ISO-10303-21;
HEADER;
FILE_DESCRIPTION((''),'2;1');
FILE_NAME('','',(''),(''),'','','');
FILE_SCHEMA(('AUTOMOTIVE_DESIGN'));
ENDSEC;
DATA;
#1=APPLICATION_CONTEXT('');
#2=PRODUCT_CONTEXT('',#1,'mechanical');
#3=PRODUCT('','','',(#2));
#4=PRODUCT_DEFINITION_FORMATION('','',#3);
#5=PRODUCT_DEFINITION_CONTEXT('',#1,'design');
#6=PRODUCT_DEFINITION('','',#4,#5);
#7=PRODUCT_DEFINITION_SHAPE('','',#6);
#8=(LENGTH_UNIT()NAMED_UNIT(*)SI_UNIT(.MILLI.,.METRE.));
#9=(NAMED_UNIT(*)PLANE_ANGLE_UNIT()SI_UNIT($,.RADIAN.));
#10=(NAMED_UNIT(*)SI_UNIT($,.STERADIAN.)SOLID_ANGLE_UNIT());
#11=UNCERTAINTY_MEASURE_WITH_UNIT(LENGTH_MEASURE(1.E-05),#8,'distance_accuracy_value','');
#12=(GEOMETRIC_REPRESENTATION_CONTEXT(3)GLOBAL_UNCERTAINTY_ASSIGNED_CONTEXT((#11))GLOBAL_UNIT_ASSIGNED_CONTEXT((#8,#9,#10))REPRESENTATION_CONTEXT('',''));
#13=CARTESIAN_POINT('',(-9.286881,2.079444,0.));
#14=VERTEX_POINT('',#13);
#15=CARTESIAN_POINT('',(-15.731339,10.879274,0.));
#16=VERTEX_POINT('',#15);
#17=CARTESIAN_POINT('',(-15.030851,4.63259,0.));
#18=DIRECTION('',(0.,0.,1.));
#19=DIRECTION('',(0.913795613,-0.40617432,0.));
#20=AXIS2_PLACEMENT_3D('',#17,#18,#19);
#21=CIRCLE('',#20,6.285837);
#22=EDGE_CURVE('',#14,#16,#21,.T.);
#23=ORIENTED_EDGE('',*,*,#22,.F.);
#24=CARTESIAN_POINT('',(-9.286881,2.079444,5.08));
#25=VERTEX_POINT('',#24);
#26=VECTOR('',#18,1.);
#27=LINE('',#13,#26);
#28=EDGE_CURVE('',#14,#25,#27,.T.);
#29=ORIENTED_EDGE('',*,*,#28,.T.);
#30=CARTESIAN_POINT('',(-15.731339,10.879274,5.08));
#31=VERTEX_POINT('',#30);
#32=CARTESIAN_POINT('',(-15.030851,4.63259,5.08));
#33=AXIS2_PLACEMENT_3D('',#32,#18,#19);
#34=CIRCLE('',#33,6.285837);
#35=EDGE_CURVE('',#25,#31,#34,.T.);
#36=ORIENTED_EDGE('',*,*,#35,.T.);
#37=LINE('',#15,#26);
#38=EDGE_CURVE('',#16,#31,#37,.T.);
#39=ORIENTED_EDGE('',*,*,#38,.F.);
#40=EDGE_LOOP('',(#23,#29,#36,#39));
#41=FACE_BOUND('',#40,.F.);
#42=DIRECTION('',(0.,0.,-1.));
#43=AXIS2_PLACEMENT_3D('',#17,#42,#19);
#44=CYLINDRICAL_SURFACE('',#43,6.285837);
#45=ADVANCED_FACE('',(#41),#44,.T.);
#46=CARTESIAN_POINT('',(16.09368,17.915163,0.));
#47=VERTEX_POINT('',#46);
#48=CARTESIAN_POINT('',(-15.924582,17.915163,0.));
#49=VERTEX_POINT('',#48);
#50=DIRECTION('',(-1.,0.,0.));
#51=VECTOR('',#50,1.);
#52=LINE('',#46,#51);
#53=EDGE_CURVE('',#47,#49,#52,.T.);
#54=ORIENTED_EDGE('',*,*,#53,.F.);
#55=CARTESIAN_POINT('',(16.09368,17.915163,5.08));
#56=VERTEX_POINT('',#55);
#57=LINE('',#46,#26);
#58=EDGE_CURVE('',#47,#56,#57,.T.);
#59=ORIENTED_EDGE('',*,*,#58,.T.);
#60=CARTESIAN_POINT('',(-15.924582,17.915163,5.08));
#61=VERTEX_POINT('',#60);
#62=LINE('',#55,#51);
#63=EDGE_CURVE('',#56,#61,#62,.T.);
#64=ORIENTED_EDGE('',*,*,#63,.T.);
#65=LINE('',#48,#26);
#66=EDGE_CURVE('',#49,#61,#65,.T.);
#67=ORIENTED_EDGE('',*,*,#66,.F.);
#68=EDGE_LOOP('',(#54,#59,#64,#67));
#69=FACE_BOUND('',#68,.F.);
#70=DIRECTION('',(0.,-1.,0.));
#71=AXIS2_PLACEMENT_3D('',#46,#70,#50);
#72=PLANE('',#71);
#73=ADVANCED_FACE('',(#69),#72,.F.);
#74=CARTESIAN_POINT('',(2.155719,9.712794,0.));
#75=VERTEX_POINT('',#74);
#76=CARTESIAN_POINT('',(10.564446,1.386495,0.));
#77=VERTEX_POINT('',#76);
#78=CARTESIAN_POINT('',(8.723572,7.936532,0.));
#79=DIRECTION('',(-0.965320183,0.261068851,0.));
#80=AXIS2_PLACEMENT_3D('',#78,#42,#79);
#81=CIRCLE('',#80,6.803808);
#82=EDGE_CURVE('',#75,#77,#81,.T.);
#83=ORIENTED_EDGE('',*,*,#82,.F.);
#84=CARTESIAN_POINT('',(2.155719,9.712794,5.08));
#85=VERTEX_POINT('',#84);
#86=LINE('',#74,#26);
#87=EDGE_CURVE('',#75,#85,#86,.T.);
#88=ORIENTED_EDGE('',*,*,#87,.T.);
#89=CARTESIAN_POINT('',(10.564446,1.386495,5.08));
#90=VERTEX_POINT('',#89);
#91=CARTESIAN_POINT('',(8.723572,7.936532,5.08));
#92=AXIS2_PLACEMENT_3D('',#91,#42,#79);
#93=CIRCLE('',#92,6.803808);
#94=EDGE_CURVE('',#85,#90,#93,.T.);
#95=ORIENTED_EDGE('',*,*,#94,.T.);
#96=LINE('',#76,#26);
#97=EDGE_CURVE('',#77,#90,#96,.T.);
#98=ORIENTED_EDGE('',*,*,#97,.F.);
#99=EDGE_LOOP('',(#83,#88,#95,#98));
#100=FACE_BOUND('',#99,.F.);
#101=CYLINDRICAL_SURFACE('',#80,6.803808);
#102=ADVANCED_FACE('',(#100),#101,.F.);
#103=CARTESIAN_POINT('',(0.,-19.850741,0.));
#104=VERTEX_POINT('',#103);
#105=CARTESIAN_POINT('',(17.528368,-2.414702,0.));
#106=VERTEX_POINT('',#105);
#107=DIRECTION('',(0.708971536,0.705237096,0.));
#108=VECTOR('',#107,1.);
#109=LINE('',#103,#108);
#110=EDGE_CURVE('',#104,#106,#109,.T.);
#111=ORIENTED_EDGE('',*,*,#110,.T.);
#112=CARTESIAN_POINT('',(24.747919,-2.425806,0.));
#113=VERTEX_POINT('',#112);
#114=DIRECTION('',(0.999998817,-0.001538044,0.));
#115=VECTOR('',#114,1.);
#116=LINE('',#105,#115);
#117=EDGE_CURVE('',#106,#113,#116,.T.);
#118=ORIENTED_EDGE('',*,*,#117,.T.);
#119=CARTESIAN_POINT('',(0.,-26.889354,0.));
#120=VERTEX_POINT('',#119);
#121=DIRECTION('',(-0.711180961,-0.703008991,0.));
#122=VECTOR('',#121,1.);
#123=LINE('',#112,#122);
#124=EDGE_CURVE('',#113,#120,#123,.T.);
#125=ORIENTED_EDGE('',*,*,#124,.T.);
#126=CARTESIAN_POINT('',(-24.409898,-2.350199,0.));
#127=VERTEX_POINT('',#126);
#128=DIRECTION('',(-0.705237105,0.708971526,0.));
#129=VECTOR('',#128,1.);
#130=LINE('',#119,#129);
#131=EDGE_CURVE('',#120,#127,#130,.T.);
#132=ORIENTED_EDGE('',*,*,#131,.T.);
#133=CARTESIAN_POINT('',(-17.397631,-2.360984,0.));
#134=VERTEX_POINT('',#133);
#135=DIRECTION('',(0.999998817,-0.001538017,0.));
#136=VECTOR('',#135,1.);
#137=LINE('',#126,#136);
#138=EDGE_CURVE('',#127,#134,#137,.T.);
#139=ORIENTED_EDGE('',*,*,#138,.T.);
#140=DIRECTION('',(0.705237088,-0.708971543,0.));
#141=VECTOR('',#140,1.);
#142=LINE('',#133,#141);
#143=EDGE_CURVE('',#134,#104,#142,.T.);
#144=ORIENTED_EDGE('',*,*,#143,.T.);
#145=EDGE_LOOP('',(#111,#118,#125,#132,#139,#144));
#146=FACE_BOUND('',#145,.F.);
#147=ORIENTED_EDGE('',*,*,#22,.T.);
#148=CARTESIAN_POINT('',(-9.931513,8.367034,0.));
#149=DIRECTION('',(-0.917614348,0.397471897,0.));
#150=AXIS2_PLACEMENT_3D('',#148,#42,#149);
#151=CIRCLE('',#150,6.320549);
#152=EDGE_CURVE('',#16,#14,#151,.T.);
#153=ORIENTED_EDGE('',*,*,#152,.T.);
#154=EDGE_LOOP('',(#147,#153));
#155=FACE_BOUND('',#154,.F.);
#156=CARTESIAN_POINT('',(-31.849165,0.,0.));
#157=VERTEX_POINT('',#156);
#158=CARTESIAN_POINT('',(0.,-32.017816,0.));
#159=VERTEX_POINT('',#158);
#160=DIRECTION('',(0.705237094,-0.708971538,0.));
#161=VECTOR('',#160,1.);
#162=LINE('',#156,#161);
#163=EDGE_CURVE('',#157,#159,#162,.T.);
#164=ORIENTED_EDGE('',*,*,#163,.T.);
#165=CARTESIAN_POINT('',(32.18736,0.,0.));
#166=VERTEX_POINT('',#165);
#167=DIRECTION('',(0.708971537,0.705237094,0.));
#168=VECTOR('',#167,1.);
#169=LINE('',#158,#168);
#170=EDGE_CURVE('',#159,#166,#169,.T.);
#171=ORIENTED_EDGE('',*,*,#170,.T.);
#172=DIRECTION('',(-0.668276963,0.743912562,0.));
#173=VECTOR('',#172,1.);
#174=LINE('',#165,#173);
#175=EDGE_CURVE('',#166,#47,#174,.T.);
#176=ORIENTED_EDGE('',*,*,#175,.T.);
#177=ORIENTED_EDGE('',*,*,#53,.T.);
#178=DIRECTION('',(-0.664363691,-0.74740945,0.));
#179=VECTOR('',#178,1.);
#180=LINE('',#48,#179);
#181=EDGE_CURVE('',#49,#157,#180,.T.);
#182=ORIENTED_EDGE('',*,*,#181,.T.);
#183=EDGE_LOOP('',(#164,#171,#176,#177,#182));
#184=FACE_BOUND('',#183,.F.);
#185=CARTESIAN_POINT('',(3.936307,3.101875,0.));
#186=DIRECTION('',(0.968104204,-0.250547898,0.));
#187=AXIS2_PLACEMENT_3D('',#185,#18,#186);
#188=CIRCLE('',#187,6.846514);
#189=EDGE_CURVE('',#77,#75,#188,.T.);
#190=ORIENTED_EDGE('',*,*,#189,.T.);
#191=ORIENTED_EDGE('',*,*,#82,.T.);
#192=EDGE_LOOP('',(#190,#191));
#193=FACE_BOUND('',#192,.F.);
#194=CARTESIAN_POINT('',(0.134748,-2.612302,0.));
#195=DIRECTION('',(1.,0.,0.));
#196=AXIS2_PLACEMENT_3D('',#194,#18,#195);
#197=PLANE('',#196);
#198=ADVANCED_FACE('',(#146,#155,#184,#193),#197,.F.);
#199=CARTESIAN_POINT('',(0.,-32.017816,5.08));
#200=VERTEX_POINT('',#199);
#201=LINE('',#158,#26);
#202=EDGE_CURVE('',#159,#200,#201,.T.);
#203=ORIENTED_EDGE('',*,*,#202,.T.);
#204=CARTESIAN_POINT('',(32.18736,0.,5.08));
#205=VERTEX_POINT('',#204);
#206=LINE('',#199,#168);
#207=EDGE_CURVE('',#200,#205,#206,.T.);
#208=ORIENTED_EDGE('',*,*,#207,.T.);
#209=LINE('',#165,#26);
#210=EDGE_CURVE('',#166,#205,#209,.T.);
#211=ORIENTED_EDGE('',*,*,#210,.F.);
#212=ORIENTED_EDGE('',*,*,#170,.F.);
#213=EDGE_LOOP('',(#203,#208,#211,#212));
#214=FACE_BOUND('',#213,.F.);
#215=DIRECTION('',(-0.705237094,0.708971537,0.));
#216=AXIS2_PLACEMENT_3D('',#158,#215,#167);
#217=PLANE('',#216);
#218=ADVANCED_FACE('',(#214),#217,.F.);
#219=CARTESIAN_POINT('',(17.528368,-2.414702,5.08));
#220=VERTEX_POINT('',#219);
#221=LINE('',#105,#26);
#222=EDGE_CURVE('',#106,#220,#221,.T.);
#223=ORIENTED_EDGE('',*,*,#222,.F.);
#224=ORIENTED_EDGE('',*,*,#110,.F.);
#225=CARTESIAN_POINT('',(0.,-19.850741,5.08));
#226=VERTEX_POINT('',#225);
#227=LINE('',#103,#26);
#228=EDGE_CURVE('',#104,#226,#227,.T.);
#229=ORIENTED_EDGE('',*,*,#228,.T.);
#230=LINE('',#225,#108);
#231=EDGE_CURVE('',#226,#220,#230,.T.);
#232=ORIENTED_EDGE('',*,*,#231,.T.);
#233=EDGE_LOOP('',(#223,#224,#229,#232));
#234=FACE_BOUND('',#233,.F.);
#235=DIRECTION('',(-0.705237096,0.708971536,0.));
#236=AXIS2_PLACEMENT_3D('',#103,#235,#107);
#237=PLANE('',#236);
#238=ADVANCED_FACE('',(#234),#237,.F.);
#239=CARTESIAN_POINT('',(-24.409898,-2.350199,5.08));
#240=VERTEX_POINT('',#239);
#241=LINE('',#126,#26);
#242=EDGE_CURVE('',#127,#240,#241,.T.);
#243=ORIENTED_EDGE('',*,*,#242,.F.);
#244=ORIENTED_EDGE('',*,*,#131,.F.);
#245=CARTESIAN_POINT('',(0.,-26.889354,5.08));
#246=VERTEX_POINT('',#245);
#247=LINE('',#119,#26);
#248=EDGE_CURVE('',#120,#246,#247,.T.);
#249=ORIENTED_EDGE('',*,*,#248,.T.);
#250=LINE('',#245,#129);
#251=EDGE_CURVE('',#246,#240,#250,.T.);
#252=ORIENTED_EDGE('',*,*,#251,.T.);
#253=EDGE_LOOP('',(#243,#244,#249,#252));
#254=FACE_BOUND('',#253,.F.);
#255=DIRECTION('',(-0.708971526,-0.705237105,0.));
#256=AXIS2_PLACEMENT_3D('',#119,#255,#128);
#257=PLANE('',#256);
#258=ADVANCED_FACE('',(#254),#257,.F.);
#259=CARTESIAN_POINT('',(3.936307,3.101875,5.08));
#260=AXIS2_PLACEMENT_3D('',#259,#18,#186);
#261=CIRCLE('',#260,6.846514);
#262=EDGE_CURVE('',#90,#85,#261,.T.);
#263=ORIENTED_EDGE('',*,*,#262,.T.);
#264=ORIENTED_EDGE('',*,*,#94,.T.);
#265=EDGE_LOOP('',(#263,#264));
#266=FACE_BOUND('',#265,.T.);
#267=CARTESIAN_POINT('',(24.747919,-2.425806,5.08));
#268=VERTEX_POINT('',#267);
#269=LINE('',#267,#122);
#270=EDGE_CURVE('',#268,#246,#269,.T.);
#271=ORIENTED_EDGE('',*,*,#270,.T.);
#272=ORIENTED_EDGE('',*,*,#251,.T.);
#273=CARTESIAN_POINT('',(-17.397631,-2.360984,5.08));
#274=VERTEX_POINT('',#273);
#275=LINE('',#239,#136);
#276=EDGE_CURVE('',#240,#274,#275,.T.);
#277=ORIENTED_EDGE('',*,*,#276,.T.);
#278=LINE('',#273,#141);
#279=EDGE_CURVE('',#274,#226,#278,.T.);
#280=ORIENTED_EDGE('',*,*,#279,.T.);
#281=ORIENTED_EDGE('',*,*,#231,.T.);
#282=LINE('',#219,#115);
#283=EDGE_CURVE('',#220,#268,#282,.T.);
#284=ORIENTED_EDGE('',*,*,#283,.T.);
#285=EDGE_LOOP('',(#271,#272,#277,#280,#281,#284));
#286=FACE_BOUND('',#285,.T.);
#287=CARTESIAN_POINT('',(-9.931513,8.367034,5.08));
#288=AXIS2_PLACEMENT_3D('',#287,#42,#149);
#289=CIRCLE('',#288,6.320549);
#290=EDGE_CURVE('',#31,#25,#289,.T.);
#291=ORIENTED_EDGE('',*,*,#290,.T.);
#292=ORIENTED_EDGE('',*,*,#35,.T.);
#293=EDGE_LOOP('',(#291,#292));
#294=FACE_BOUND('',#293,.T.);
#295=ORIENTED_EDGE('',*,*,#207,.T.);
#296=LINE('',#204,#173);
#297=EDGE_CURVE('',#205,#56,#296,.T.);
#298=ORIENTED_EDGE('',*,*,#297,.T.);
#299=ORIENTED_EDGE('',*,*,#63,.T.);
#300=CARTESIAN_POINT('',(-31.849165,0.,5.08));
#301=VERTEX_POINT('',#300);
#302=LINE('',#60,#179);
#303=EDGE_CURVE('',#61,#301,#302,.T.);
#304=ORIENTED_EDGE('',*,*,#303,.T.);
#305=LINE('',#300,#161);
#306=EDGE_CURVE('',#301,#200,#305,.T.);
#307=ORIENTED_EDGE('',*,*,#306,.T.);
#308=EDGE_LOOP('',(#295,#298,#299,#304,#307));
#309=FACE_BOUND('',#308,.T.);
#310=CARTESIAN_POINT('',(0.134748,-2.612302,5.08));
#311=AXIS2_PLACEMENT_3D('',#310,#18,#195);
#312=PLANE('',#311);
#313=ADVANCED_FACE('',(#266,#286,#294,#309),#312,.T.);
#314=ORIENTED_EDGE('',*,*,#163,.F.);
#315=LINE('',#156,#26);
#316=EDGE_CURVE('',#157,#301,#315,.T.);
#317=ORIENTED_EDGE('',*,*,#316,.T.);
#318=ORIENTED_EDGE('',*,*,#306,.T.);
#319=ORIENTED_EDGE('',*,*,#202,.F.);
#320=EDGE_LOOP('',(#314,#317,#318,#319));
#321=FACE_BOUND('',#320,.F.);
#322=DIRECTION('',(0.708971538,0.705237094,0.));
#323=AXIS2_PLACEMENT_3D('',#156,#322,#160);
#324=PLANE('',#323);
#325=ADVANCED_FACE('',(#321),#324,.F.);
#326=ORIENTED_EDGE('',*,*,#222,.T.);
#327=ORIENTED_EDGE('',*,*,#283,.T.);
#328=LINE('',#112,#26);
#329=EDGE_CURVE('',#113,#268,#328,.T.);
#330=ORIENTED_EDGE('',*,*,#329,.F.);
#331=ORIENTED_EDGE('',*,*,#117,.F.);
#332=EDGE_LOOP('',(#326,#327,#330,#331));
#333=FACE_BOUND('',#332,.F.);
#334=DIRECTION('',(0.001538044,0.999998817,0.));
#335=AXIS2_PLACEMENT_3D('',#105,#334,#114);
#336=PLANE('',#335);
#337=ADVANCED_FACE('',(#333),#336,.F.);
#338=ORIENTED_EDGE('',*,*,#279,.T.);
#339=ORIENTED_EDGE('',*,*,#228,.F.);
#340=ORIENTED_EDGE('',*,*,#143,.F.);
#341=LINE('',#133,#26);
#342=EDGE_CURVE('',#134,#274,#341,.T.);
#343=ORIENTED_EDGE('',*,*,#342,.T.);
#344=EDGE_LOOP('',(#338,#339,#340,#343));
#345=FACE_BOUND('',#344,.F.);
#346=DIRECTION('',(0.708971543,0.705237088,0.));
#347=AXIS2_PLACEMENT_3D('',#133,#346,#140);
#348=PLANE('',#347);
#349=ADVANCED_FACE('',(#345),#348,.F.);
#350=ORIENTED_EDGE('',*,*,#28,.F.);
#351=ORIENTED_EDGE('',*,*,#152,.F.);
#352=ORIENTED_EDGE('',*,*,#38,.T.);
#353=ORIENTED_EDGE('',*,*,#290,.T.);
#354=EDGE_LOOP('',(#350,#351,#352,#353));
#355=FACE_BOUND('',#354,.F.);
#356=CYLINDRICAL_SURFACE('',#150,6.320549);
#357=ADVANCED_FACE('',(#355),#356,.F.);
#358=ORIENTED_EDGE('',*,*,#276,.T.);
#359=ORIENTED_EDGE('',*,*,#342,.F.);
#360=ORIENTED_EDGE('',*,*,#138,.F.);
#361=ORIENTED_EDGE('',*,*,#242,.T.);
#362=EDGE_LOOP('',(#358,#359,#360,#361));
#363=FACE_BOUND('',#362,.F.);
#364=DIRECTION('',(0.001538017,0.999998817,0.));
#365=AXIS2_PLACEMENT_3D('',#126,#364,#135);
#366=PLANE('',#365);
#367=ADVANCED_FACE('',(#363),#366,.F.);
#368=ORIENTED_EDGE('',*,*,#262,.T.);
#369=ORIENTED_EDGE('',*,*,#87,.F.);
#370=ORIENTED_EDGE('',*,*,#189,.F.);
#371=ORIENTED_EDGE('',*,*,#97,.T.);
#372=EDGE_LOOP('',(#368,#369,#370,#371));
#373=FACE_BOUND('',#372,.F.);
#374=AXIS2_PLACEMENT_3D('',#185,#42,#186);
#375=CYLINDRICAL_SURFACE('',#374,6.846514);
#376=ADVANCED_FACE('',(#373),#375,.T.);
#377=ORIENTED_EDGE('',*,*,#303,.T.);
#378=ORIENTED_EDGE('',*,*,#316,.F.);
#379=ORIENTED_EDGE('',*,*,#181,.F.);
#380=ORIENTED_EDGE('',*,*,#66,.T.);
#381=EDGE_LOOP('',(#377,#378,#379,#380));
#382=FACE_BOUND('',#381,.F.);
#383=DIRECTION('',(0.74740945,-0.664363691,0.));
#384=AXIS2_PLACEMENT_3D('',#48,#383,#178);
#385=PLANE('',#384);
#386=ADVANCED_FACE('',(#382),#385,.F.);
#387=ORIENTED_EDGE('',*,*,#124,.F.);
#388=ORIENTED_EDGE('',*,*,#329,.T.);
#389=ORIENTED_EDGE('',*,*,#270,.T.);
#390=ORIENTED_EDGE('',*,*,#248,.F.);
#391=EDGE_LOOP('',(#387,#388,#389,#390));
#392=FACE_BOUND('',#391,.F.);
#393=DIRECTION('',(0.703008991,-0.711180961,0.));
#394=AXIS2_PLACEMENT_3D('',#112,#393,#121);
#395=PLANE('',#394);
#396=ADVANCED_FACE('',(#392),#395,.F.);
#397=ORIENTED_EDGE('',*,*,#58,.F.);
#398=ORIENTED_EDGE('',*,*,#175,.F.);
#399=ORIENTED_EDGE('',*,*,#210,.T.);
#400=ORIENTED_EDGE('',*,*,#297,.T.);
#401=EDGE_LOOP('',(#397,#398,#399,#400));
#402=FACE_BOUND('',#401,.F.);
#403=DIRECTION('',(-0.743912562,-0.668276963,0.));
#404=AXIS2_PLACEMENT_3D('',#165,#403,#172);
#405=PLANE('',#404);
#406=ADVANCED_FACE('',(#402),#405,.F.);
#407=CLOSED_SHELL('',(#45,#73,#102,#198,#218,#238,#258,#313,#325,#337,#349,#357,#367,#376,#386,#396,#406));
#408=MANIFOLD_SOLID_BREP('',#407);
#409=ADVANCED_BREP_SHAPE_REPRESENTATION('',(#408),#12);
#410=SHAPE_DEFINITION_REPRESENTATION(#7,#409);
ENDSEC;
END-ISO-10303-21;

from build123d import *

# Parameters (mm, degrees)
F1_DEPTH = 5.08


with BuildPart() as f1:
    # F0 (on Top) → F1 (new body)
    with BuildSketch(Plane.XY):
        Polygon((16.09368, 17.915163), (-15.924582, 17.915163), (-31.849165, 0), (0, -32.017816), (32.18736, 0), align=None)
        Polygon((0, -26.889354), (-24.409898, -2.350199), (-17.397631, -2.360984), (0, -19.850741), (17.528368, -2.414702), (24.747919, -2.425806), align=None, mode=Mode.SUBTRACT)
        with BuildLine():
            ThreePointArc((-15.731339, 10.879274), (-4.832174, 12.101478), (-9.286881, 2.079444))
            ThreePointArc((-9.286881, 2.079444), (-9.959517, 8.346525), (-15.731339, 10.879274))
        make_face(mode=Mode.SUBTRACT)
        with BuildLine():
            ThreePointArc((2.155719, 9.712794), (13.510836, 12.771188), (10.564446, 1.386495))
            ThreePointArc((10.564446, 1.386495), (8.75362, 7.966877), (2.155719, 9.712794))
        make_face(mode=Mode.SUBTRACT)
    extrude(amount=F1_DEPTH)


solid = f1.part
